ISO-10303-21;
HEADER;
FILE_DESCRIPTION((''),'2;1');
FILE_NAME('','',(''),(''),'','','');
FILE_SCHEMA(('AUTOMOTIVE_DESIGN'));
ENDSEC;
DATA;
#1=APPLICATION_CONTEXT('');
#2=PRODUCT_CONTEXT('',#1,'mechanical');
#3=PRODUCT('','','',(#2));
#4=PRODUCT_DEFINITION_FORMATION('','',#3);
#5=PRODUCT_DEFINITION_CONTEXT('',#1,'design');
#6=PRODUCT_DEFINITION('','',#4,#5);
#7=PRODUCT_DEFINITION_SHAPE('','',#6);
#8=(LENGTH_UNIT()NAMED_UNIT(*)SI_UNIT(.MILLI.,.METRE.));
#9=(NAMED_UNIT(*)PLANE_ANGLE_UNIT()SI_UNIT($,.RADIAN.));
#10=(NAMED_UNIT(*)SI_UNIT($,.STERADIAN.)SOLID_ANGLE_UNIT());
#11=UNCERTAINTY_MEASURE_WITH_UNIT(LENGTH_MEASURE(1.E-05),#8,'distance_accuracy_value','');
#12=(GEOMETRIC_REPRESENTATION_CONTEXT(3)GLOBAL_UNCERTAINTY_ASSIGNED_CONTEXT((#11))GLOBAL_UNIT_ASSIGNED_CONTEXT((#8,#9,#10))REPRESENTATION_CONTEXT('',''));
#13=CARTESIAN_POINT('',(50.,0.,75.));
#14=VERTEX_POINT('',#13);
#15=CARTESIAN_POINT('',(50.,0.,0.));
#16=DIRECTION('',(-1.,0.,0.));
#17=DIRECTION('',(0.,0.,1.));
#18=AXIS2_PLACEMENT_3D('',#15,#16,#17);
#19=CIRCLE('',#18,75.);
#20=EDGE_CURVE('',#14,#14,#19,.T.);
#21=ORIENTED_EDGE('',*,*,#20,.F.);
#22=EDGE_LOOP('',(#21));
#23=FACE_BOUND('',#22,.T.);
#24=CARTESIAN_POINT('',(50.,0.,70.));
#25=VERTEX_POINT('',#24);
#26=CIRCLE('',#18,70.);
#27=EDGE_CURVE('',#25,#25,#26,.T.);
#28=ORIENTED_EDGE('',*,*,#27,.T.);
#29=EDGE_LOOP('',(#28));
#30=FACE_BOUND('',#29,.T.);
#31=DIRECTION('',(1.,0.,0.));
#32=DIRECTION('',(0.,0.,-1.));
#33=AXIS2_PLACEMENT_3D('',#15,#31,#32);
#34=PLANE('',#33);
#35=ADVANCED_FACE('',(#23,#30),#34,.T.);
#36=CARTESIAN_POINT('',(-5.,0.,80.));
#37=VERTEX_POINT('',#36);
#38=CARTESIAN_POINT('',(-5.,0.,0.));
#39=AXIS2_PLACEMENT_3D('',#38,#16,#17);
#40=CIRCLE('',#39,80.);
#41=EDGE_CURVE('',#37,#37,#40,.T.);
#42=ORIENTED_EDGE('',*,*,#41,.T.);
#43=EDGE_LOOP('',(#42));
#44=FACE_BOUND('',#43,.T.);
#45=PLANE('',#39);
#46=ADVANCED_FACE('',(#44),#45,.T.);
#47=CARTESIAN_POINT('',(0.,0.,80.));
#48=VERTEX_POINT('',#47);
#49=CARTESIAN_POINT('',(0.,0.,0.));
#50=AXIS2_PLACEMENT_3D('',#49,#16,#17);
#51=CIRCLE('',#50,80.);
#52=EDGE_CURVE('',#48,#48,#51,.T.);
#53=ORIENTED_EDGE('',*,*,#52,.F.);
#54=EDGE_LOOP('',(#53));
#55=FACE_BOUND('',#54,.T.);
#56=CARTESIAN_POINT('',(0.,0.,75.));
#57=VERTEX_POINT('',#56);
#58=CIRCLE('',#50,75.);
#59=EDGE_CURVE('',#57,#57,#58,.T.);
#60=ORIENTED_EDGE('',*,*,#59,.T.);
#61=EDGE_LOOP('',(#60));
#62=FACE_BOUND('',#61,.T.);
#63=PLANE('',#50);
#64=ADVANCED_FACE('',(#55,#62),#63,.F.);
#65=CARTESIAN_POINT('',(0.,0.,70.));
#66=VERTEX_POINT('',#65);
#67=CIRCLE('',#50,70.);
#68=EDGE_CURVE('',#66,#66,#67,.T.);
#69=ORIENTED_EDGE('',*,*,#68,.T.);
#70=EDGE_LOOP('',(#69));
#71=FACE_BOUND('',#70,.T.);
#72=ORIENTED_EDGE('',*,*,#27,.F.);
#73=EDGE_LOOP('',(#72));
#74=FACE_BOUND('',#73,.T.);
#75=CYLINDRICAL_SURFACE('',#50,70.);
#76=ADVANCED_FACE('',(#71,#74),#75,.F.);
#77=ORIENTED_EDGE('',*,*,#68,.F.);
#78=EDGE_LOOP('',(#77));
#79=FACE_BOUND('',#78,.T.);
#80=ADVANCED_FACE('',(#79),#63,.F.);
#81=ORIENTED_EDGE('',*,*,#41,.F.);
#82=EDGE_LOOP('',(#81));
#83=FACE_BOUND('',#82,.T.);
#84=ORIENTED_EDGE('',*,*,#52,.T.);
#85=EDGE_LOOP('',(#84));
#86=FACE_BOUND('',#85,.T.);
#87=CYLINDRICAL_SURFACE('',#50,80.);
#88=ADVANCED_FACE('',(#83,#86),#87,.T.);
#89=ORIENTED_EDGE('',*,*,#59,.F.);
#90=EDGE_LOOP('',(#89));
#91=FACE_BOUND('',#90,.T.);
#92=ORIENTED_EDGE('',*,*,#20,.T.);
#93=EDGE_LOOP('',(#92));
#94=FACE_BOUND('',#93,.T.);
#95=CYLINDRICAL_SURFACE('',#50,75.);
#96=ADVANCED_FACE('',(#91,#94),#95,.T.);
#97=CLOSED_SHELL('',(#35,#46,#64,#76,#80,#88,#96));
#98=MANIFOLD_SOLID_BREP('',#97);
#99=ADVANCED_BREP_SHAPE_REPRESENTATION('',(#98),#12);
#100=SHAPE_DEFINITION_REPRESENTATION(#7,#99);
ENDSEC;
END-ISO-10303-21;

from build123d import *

# Parameters (mm, degrees)
SKIZZE1_W   = 5
SKIZZE1_H   = 80
SKIZZE1_W_2 = 50
SKIZZE1_H_2 = 5


with BuildPart() as part:
    # Skizze1 → Rotation1 (revolve)
    with BuildSketch(Plane.XY, mode=Mode.PRIVATE) as rotation1_sk:
        with Locations((-2.5, 40)):
            Rectangle(SKIZZE1_W, SKIZZE1_H)
        with Locations((25, 72.5)):
            Rectangle(SKIZZE1_W_2, SKIZZE1_H_2)
    revolve(rotation1_sk.sketch.rotate(Axis((0, 0, 0), (1, 0, 0)), 90), axis=Axis((0, 0, 0), (1, 0, 0)))


solid = part.part
